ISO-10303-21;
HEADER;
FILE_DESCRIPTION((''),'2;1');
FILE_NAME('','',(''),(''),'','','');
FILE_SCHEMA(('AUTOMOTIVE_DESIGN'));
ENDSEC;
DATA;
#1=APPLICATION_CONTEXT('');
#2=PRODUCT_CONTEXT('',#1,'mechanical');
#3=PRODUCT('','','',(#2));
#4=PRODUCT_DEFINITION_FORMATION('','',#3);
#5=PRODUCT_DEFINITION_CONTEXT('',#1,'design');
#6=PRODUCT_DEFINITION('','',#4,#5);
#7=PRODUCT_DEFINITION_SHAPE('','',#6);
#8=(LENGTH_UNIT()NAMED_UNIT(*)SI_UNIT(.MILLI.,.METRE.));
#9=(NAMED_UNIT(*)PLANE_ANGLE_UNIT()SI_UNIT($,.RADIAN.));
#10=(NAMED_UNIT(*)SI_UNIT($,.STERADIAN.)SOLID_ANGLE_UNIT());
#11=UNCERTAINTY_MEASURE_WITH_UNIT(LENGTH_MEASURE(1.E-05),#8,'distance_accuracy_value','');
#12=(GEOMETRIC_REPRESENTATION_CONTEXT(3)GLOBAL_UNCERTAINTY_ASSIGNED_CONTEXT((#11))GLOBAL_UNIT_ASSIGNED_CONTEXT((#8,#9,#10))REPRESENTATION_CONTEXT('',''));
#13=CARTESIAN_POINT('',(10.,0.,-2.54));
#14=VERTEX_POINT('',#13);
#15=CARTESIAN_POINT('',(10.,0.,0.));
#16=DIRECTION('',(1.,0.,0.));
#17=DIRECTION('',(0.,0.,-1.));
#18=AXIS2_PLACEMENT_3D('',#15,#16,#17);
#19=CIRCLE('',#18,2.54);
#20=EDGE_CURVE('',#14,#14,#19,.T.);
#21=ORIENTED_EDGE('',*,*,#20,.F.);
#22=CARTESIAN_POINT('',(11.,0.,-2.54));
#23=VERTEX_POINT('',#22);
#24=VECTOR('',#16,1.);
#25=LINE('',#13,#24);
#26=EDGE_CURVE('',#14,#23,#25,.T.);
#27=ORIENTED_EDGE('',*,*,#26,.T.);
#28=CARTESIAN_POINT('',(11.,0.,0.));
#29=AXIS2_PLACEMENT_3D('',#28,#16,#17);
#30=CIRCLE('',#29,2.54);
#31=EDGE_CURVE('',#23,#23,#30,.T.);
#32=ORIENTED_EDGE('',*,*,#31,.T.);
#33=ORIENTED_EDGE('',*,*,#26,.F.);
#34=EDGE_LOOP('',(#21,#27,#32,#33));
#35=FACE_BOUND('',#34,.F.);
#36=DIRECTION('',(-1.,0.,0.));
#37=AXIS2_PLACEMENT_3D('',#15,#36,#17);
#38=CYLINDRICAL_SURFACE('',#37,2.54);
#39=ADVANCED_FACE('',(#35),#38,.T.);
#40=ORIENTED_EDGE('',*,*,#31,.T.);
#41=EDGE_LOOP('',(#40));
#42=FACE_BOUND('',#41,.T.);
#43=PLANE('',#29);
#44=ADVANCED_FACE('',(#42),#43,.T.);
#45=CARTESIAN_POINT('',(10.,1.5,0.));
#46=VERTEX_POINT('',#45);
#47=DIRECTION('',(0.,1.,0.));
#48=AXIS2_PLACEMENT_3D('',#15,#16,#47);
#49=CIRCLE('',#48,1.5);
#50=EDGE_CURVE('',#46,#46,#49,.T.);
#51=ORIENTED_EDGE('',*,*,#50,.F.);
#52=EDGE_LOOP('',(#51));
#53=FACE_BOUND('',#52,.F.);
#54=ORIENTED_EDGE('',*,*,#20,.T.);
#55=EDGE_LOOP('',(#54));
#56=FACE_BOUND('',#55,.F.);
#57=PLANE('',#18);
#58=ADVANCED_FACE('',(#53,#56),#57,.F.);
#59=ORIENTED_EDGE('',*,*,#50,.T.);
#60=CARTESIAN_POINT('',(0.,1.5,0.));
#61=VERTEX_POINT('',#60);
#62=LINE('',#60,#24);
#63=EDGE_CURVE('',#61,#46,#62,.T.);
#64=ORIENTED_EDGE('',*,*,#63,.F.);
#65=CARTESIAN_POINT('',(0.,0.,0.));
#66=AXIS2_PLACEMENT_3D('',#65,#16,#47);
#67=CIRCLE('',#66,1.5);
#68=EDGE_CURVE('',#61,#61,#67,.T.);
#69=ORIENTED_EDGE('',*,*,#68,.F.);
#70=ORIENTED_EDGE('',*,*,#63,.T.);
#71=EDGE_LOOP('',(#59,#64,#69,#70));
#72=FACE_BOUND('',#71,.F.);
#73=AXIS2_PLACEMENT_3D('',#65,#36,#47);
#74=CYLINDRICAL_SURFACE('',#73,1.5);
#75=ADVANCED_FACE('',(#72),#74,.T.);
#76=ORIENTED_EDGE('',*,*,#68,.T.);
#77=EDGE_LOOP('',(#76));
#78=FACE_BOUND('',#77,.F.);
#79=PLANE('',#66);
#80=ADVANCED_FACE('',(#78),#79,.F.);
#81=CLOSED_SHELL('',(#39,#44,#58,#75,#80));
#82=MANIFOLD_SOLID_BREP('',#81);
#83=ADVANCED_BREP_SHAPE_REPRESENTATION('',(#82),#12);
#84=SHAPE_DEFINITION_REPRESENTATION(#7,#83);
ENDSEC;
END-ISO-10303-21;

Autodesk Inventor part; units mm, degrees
ref_plane "YZ Plane" through (0, 0, 0) normal (1, 0, 0) x (0, 1, 0)
ref_plane "XZ Plane" through (0, 0, 0) normal (0, 1, 0) x (-1, 0, 0)
ref_plane "XY Plane" through (0, 0, 0) normal (0, 0, 1) x (1, 0, 0)
sketch "Sketch1" plane through (0, 0, 0) normal (1, 0, 0) x (0, 1, 0)
  circle A0 centre (0, 0) radius 1.5
  dimension "d0" = 3
extrude "Extrusion1" add sketch "Sketch1" along normal blind 10
sketch "Sketch2" plane through (10, 0, 0) normal (1, 0, 0) x (0, 0, -1)
  circle A0 centre (0, 0) radius 2.54
  dimension "d3" = 5.08
extrude "Extrusion2" add sketch "Sketch2" along normal blind 1
properties part number "ScrewPlaceholder"
